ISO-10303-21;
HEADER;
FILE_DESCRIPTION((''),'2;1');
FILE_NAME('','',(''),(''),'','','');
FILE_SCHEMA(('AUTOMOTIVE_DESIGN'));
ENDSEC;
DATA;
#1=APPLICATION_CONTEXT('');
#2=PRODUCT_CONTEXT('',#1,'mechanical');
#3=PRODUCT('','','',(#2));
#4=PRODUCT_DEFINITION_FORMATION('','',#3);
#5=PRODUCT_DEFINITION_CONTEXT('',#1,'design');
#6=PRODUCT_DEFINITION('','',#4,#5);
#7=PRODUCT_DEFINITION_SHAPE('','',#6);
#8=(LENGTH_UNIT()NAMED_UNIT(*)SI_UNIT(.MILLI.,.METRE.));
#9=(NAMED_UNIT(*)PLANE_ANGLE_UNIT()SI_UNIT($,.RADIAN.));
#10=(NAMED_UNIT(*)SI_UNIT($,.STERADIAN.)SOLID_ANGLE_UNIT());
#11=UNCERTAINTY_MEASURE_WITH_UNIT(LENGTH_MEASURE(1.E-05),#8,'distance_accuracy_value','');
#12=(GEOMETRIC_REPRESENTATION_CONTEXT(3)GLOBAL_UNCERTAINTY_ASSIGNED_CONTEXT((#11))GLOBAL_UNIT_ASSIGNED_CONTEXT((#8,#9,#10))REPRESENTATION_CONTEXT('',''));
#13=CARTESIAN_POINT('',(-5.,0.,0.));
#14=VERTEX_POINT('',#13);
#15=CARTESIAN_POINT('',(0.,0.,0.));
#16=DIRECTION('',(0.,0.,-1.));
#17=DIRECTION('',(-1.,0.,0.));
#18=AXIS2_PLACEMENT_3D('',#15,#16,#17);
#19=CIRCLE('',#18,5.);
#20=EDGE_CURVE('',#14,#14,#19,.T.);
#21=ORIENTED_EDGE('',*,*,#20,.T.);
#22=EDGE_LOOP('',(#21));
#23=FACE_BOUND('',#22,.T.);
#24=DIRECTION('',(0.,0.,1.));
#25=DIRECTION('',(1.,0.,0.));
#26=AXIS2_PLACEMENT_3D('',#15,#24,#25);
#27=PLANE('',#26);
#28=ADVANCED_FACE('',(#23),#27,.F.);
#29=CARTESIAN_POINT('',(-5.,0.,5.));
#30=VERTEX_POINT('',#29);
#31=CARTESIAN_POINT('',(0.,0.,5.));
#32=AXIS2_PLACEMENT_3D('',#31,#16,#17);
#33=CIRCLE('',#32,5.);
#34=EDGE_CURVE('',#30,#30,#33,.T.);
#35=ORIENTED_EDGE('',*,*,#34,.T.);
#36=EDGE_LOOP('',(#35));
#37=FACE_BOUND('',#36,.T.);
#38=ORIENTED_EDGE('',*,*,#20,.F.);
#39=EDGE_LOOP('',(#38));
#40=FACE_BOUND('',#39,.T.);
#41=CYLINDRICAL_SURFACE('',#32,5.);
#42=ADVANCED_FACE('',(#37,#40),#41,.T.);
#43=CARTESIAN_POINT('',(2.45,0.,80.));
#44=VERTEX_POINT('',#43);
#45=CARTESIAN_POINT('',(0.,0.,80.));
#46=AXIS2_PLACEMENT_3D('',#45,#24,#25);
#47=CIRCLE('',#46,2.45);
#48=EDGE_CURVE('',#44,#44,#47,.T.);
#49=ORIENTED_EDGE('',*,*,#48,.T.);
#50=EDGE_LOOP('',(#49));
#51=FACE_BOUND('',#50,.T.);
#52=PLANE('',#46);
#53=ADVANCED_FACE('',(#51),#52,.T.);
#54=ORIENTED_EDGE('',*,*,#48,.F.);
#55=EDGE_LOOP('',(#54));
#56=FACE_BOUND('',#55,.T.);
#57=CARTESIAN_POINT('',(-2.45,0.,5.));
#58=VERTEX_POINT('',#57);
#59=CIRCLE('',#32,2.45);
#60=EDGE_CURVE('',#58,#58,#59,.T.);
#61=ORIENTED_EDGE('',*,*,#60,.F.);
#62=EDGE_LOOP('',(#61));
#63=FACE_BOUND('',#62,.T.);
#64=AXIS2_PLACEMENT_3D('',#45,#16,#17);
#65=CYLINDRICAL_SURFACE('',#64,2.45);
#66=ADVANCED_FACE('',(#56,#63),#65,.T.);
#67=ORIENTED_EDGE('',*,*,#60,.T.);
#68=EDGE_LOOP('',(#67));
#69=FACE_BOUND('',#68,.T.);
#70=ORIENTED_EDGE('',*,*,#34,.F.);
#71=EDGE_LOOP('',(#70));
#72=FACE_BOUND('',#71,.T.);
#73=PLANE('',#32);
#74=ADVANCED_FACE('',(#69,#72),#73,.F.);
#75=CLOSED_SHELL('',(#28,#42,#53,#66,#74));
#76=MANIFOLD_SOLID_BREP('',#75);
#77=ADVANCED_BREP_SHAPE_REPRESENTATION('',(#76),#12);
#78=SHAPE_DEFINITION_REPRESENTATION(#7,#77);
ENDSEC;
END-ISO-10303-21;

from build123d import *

# Parameters (mm, degrees)
SKETCH_1_R      = 2.45
EXTRUDE_1_DEPTH = 80
SKETCH_2_R      = 5
EXTRUDE_2_DEPTH = 5


with BuildPart() as part:
    # 草图1 → 凸台-拉伸1 (new body)
    with BuildSketch(Plane.XY):
        Circle(SKETCH_1_R)
    extrude(amount=EXTRUDE_1_DEPTH)

    # 草图2 → 凸台-拉伸2 (add)
    with BuildSketch(Plane(origin=(0, 0, 0), x_dir=(-1, 0, 0), z_dir=(0, 0, -1))):
        Circle(SKETCH_2_R)
    extrude(amount=-EXTRUDE_2_DEPTH)


solid = part.part
